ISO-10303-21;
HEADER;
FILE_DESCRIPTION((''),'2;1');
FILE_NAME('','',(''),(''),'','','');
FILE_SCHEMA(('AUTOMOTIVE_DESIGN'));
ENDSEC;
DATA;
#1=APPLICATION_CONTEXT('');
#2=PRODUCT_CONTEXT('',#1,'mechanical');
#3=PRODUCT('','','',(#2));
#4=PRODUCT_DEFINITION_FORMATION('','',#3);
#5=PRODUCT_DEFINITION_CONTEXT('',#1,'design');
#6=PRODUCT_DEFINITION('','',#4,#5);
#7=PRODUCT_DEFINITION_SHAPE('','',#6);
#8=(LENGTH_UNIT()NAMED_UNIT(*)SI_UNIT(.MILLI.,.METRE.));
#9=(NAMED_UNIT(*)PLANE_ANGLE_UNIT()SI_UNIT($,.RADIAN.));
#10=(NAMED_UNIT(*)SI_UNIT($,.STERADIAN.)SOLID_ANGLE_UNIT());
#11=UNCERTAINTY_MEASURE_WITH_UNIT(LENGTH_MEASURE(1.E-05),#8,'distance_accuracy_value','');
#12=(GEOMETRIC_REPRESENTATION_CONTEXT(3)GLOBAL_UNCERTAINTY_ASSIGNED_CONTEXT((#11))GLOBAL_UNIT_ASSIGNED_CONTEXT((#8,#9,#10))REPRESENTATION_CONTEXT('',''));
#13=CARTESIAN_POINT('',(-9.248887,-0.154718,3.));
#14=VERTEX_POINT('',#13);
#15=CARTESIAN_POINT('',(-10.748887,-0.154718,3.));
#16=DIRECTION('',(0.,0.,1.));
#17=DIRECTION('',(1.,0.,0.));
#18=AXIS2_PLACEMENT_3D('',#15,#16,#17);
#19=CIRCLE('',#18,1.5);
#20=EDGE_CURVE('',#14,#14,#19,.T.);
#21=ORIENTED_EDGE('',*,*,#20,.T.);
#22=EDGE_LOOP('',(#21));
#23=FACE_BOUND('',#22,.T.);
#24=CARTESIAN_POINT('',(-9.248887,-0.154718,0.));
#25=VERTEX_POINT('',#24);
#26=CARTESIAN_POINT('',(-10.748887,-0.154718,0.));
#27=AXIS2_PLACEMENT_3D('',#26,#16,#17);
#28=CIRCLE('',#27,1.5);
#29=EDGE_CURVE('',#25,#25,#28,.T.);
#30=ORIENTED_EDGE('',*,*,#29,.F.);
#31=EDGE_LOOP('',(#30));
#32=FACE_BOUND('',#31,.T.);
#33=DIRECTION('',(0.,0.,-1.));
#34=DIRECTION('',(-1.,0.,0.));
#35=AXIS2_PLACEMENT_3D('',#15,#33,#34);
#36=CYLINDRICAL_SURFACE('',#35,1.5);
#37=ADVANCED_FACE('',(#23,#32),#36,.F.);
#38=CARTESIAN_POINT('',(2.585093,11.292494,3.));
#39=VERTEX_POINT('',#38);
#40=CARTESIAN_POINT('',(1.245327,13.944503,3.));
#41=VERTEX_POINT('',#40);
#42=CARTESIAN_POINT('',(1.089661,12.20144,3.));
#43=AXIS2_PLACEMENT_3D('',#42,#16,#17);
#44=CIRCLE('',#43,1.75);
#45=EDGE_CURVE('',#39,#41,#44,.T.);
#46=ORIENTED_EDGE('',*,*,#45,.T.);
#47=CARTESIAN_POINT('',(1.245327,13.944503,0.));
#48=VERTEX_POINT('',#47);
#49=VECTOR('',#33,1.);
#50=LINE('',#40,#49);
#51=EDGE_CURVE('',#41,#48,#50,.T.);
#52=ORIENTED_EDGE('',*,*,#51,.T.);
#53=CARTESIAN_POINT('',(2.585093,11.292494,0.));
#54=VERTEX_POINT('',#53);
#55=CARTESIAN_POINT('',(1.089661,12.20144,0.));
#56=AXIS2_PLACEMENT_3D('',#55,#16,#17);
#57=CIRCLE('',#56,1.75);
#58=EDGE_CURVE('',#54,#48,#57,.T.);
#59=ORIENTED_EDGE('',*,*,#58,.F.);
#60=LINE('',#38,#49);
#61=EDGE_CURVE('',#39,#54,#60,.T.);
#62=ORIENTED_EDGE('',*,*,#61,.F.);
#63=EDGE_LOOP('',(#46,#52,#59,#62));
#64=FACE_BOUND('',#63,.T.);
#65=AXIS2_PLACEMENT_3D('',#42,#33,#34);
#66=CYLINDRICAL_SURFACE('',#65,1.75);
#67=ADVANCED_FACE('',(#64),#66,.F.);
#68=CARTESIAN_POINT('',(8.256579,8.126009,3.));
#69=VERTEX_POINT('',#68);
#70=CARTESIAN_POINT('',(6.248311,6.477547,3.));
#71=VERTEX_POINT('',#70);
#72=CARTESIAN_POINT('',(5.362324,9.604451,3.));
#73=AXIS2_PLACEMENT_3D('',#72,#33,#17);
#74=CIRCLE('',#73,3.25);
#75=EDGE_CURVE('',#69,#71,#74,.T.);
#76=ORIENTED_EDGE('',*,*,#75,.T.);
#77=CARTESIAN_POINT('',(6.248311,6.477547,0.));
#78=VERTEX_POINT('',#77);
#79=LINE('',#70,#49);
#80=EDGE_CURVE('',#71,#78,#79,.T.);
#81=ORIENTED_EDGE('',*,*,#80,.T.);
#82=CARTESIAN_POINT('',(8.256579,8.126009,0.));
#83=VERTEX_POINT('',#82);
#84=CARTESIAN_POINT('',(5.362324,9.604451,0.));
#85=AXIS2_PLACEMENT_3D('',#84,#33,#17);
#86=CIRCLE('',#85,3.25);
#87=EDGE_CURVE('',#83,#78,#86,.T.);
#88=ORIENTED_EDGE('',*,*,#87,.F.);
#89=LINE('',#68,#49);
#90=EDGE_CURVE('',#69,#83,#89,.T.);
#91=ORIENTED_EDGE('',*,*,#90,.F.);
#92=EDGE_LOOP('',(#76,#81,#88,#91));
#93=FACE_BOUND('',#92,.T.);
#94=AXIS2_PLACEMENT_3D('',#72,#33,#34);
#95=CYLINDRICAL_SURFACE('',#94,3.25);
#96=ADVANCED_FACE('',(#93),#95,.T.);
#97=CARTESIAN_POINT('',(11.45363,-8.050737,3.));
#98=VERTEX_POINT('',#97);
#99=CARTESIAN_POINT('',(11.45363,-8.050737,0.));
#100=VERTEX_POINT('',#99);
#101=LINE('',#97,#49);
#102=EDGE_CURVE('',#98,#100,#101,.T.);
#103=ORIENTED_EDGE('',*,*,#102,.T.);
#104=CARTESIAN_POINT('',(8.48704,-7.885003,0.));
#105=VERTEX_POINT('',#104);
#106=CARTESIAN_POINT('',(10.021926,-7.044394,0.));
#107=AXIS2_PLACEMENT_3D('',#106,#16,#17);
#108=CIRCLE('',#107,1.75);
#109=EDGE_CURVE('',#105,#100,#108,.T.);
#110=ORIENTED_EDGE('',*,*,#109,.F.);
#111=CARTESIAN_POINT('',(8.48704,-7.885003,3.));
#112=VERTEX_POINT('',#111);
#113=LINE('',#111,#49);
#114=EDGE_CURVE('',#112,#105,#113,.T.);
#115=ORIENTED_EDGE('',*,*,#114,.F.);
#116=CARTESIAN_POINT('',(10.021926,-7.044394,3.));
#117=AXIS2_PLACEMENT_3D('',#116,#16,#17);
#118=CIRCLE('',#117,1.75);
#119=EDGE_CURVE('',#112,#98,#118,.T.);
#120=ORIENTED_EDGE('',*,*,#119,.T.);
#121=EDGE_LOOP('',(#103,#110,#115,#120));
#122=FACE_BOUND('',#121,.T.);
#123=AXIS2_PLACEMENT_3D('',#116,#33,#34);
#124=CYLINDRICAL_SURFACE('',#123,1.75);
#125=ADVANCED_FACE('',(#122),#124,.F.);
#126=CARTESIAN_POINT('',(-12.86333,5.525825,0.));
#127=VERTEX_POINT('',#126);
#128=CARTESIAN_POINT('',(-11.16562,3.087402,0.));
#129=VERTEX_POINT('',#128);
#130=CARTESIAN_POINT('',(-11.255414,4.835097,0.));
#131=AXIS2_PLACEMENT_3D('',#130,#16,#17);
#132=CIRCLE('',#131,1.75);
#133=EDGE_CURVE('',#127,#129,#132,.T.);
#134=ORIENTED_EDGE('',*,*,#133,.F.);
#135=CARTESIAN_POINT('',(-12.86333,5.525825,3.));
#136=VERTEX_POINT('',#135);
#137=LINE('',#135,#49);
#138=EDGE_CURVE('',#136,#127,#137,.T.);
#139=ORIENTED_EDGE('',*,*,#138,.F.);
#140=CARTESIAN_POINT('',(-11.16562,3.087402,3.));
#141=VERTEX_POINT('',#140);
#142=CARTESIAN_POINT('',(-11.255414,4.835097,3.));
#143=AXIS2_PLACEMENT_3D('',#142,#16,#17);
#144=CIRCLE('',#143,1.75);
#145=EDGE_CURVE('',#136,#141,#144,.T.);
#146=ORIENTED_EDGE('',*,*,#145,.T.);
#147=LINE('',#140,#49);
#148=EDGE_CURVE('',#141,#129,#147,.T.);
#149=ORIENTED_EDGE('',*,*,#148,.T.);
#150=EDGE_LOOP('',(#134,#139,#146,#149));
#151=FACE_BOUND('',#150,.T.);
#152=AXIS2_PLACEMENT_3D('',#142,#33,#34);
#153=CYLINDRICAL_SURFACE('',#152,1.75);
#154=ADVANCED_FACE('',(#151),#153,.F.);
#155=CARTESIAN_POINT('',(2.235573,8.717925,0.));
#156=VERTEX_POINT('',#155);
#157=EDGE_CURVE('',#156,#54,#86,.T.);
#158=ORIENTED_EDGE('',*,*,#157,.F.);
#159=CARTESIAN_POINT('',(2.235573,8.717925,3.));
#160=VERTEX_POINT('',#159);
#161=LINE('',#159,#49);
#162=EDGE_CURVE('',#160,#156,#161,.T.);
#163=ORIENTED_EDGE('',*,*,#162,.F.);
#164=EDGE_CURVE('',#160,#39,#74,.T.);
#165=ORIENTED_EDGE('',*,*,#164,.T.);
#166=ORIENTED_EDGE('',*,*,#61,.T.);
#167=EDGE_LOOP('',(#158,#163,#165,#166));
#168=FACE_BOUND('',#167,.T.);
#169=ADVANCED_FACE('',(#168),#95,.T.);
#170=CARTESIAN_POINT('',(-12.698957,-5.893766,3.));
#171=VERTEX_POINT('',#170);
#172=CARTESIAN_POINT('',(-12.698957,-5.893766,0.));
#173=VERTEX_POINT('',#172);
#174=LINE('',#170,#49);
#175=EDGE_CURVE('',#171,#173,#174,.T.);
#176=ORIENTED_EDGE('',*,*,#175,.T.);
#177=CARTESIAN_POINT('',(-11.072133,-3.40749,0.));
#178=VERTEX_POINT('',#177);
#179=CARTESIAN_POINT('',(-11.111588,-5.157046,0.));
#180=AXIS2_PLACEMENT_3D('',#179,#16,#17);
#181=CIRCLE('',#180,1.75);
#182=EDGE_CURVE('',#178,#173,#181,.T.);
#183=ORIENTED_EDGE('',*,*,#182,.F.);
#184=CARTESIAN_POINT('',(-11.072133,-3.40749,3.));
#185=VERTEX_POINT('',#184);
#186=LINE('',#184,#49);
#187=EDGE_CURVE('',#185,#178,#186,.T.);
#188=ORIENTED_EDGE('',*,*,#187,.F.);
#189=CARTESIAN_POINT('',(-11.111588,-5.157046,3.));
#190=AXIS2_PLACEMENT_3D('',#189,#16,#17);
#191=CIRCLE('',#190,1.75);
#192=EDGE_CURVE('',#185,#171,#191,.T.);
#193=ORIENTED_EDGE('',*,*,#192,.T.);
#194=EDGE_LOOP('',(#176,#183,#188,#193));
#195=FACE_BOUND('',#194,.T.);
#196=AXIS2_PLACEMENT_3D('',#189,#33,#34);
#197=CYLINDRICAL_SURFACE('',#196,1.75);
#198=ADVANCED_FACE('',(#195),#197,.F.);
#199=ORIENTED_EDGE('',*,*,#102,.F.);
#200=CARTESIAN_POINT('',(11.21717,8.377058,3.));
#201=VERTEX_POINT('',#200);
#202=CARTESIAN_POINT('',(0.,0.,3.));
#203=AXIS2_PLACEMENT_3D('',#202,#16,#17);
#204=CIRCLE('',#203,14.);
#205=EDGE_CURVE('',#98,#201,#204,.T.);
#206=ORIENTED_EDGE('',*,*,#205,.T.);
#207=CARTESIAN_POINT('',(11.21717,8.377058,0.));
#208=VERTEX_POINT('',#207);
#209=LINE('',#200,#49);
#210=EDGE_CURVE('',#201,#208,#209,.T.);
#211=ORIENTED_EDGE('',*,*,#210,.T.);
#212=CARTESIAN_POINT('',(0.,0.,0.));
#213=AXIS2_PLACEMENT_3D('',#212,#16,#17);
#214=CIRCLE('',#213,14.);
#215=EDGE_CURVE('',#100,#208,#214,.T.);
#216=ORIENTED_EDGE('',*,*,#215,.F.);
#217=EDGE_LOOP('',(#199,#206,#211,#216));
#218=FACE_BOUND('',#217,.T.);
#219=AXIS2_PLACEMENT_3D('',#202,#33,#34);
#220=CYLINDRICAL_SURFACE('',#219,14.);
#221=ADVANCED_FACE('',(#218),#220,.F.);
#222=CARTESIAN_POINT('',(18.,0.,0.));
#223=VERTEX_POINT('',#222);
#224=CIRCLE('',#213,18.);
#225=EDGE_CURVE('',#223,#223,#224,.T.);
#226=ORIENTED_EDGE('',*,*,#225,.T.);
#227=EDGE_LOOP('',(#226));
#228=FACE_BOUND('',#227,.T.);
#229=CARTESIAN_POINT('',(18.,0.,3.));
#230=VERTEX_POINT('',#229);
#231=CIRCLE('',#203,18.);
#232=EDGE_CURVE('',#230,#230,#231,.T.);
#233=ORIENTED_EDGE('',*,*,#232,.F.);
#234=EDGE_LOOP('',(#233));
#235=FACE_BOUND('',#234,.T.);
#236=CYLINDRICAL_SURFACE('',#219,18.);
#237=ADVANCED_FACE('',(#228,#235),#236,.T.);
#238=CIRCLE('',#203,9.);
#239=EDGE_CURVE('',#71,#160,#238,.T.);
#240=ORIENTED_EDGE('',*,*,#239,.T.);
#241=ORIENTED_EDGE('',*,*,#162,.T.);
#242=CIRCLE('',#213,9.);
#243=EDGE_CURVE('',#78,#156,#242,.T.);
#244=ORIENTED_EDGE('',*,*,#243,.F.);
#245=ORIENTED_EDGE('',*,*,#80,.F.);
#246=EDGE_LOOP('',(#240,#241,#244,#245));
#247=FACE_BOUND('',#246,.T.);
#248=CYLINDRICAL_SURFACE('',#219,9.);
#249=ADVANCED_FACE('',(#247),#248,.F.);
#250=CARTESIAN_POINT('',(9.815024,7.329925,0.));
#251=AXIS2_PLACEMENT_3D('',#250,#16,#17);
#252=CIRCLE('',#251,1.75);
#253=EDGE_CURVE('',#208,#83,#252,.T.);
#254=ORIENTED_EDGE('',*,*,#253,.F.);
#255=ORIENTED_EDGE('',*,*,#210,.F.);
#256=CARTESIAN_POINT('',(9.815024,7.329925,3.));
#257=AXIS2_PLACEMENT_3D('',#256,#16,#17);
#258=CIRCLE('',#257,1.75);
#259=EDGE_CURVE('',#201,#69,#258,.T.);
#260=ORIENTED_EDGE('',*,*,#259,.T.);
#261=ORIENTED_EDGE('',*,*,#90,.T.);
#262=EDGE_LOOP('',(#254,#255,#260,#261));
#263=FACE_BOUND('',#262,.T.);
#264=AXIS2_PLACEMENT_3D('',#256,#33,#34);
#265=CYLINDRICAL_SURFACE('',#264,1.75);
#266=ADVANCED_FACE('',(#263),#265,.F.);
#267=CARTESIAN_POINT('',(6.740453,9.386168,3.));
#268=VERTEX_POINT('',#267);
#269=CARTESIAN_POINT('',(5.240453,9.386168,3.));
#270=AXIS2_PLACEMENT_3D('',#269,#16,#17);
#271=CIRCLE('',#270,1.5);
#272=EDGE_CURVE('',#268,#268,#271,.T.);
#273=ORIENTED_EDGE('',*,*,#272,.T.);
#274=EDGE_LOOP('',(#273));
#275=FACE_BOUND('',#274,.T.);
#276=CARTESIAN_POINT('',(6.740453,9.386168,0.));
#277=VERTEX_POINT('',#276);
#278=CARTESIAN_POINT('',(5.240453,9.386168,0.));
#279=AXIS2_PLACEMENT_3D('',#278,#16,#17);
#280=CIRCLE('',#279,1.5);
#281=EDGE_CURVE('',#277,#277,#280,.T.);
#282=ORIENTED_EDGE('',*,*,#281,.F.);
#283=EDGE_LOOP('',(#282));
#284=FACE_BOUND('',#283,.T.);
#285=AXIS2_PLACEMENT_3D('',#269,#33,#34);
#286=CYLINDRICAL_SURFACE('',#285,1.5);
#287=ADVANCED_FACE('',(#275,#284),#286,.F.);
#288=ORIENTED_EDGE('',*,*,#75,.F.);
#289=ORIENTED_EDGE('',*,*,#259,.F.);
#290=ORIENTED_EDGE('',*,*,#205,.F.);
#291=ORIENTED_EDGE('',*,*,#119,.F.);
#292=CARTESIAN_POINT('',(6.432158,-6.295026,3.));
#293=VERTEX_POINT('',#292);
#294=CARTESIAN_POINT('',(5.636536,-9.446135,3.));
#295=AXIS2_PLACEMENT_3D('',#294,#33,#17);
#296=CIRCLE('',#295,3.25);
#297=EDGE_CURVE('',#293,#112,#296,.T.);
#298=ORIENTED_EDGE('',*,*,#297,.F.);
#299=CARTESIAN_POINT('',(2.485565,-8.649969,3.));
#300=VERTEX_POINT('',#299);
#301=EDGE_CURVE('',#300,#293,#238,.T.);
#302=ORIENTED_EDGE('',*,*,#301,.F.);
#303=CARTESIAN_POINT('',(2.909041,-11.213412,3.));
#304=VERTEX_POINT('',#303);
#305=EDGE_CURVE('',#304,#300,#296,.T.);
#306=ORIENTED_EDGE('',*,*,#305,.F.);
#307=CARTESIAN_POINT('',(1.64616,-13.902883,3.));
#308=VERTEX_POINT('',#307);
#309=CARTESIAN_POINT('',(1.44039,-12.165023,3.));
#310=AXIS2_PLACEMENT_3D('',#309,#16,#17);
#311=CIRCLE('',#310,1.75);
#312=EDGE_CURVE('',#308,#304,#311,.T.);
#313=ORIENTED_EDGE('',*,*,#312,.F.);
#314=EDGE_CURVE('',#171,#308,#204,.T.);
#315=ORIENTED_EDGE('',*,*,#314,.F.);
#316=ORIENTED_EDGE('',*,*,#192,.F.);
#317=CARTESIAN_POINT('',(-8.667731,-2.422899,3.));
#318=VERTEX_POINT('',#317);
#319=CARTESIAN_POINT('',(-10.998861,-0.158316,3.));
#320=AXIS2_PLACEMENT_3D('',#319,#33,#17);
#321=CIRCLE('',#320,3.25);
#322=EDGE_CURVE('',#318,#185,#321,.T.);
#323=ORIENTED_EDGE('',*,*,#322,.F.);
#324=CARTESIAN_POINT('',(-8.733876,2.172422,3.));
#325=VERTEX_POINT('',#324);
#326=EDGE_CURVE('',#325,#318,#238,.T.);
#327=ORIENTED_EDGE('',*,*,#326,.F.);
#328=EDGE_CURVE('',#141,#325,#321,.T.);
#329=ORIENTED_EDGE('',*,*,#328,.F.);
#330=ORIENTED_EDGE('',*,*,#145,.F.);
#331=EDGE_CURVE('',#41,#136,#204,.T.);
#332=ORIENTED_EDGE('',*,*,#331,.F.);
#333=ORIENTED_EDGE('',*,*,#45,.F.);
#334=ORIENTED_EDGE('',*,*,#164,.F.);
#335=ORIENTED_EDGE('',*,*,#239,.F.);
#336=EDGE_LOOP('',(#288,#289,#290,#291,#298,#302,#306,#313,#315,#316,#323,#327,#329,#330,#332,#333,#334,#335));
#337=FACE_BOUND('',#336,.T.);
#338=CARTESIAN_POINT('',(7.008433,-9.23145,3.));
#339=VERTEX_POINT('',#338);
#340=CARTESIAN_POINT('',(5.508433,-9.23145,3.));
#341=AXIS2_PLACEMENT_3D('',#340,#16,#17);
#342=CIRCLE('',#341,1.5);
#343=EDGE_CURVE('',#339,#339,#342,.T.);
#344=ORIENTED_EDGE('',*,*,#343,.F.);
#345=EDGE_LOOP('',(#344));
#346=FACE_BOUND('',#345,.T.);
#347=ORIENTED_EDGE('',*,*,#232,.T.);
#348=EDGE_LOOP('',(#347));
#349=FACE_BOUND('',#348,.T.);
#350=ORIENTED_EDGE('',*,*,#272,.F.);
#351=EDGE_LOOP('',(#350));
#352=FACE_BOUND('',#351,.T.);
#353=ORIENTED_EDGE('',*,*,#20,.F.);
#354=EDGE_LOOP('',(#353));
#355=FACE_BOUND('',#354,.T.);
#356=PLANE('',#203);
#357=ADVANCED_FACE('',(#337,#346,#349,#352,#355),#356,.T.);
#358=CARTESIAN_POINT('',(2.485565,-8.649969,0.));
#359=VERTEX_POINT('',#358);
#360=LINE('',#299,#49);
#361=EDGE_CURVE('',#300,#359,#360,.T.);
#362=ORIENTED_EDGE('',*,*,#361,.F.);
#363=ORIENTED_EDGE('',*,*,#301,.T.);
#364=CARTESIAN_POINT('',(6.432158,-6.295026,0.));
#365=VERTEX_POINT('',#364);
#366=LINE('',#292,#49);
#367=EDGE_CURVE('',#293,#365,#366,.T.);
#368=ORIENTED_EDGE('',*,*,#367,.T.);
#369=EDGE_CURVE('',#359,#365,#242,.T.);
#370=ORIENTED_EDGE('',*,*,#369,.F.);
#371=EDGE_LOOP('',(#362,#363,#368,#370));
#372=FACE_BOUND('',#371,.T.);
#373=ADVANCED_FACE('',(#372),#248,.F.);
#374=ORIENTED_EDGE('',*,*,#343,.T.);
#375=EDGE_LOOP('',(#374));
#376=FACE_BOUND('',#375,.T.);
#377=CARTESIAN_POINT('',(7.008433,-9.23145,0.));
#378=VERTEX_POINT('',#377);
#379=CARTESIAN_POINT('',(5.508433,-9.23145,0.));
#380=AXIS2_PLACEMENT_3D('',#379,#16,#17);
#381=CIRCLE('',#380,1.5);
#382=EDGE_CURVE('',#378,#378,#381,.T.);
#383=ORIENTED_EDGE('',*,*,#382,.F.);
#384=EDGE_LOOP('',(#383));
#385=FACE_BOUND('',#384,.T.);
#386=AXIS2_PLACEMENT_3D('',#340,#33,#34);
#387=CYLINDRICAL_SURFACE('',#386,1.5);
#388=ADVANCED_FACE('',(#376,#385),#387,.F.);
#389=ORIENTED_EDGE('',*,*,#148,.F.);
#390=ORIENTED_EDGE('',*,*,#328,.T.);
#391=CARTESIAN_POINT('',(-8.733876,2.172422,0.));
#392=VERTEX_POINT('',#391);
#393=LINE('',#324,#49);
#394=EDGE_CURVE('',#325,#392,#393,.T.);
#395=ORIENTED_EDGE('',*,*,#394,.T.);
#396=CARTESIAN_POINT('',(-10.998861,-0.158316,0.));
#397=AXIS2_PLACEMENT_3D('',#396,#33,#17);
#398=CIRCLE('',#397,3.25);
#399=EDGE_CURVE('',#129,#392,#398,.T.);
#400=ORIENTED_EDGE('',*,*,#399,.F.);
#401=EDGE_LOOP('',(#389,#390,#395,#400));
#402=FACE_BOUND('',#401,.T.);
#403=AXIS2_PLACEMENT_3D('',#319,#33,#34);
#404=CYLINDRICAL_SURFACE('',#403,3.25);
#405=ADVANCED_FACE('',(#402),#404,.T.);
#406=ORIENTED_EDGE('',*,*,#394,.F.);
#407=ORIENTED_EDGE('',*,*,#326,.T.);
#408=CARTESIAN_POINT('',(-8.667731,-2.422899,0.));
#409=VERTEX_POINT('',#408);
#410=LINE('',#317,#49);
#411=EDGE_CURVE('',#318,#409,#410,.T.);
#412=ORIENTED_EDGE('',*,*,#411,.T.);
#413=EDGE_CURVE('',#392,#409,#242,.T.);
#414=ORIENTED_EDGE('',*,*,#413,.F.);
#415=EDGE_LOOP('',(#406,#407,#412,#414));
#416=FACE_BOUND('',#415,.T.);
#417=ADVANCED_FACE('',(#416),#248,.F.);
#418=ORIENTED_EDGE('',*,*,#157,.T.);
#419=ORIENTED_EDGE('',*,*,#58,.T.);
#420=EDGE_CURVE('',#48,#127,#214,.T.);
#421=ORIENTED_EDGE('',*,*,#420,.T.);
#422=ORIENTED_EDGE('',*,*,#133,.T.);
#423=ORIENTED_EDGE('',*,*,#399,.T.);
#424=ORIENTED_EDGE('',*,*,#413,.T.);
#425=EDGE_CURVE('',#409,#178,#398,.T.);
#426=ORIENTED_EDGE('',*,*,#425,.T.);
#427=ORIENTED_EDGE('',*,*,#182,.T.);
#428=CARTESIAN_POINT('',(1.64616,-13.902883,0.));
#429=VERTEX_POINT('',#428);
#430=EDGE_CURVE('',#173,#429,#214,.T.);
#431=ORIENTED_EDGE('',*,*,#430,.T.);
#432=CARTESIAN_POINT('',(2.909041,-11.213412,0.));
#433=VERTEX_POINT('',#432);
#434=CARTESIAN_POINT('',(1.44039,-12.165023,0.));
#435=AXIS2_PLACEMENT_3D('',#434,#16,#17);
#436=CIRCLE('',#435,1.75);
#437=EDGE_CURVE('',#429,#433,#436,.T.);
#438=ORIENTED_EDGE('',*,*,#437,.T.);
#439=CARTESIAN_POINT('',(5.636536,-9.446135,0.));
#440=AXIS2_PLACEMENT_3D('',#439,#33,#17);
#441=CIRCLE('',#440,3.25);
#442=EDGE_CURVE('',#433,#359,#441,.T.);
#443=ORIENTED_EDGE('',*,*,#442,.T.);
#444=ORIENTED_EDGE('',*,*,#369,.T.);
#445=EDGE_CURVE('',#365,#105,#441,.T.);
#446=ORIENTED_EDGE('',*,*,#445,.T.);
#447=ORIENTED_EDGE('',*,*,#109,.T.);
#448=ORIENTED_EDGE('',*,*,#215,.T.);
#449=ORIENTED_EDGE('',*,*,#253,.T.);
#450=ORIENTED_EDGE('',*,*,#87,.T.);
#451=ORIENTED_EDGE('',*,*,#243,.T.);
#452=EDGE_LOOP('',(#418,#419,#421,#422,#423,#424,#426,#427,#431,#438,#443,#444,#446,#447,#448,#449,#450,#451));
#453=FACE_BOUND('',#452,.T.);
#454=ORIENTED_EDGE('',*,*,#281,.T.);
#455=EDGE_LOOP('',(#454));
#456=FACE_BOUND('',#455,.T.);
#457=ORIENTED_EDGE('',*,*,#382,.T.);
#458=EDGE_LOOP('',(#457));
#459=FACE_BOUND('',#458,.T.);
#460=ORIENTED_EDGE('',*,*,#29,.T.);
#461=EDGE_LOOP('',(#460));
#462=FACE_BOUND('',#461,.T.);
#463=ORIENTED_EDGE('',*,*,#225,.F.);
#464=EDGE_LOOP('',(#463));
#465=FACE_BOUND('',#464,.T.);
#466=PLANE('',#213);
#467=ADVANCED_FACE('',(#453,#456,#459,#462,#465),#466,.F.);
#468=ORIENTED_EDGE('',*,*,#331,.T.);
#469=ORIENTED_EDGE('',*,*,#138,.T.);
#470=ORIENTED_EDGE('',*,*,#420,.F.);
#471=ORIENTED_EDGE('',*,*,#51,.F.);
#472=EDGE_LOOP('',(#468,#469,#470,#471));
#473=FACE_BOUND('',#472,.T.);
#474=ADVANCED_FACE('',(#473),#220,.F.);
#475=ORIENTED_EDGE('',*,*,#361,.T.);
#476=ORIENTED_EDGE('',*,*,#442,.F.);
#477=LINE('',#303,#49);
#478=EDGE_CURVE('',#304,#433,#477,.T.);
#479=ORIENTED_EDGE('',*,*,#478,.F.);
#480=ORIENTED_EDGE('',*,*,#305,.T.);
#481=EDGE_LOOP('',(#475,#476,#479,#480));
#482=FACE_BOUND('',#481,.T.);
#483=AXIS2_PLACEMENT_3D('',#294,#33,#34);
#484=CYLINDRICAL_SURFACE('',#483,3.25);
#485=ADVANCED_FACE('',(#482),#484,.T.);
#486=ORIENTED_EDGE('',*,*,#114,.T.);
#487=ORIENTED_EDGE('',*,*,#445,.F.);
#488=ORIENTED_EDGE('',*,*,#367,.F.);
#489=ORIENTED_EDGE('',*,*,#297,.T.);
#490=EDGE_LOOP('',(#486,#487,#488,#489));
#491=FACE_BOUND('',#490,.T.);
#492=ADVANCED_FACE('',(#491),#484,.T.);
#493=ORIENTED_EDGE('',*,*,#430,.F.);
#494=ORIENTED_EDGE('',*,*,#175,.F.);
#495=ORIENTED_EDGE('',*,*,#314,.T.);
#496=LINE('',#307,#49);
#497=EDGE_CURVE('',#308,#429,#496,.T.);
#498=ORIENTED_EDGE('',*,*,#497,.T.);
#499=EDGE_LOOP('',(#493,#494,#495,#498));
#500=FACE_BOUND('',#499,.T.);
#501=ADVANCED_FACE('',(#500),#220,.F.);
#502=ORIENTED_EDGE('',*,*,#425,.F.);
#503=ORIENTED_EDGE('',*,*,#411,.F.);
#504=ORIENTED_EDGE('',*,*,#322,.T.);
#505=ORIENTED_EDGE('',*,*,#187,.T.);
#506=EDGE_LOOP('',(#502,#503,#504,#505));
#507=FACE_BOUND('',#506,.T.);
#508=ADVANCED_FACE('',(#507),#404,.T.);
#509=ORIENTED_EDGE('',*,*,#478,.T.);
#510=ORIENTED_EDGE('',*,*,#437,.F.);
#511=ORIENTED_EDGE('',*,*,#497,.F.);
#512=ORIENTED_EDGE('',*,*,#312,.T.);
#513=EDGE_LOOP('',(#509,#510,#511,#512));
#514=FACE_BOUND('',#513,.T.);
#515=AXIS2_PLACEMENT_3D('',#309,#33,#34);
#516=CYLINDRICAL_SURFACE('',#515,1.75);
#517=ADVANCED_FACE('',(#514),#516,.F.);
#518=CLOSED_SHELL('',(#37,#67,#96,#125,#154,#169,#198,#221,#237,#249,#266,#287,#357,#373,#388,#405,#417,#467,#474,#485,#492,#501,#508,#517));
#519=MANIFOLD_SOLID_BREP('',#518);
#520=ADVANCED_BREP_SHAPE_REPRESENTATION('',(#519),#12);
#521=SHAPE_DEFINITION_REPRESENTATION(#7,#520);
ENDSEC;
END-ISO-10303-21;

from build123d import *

# Parameters (mm, degrees)
ESQUISSE1_R        = 18
ESQUISSE1_R_2      = 1.5
BOSS_EXTRU_1_DEPTH = 3


with BuildPart() as part:
    # Esquisse1 → Boss.-Extru.1 (new body)
    with BuildSketch(Plane.XY):
        Circle(ESQUISSE1_R)
        with Locations((5.240453276, 9.386167986)):
            Circle(ESQUISSE1_R_2, mode=Mode.SUBTRACT)
        with Locations((5.508433282, -9.231449657)):
            Circle(ESQUISSE1_R_2, mode=Mode.SUBTRACT)
        with Locations((-10.748886558, -0.154718329)):
            Circle(ESQUISSE1_R_2, mode=Mode.SUBTRACT)
        with BuildLine():
            ThreePointArc((2.485564989, -8.649969172), (4.611711585, -7.728655527), (6.432157603, -6.295025701))
            ThreePointArc((6.432157603, -6.295025701), (7.625396258, -6.875738378), (8.487039823, -7.88500349))
            ThreePointArc((8.487039823, -7.88500349), (9.92431211, -8.79166991), (11.453630047, -8.050736534))
            ThreePointArc((11.453630047, -8.050736534), (13.998549936, 0.201493638), (11.217170127, 8.377057619))
            ThreePointArc((11.217170127, 8.377057619), (9.667160345, 9.073667479), (8.256579008, 8.126009358))
            ThreePointArc((8.256579008, 8.126009358), (7.424340898, 7.092362693), (6.248310551, 6.47754701))
            ThreePointArc((6.248310551, 6.47754701), (4.387356231, 7.858187151), (2.235573373, 8.717924736))
            ThreePointArc((2.235573373, 8.717924736), (2.141865976, 10.041656062), (2.58509342, 11.292493835))
            ThreePointArc((2.58509342, 11.292493835), (2.651653429, 12.990541357), (1.245327334, 13.944502853))
            ThreePointArc((1.245327334, 13.944502853), (-7.173773577, 12.022353042), (-12.86332977, 5.525825479))
            ThreePointArc((-12.86332977, 5.525825479), (-12.691606715, 3.835172702), (-11.165620039, 3.087402491))
            ThreePointArc((-11.165620039, 3.087402491), (-9.854336713, 2.883486477), (-8.73387554, 2.172422163))
            ThreePointArc((-8.73387554, 2.172422163), (-8.999067816, -0.129531624), (-8.667730976, -2.422899035))
            ThreePointArc((-8.667730976, -2.422899035), (-9.767262234, -3.165917684), (-11.072133243, -3.407490345))
            ThreePointArc((-11.072133243, -3.407490345), (-12.575965538, -4.198871447), (-12.698957381, -5.893766319))
            ThreePointArc((-12.698957381, -5.893766319), (-6.824776359, -12.22384668), (1.646159643, -13.902883098))
            ThreePointArc((1.646159643, -13.902883098), (3.02444637, -12.90884018), (2.909041031, -11.213411848))
            ThreePointArc((2.909041031, -11.213411848), (2.429995816, -9.97584917), (2.485564989, -8.649969172))
        make_face(mode=Mode.SUBTRACT)
    extrude(amount=BOSS_EXTRU_1_DEPTH)


solid = part.part
